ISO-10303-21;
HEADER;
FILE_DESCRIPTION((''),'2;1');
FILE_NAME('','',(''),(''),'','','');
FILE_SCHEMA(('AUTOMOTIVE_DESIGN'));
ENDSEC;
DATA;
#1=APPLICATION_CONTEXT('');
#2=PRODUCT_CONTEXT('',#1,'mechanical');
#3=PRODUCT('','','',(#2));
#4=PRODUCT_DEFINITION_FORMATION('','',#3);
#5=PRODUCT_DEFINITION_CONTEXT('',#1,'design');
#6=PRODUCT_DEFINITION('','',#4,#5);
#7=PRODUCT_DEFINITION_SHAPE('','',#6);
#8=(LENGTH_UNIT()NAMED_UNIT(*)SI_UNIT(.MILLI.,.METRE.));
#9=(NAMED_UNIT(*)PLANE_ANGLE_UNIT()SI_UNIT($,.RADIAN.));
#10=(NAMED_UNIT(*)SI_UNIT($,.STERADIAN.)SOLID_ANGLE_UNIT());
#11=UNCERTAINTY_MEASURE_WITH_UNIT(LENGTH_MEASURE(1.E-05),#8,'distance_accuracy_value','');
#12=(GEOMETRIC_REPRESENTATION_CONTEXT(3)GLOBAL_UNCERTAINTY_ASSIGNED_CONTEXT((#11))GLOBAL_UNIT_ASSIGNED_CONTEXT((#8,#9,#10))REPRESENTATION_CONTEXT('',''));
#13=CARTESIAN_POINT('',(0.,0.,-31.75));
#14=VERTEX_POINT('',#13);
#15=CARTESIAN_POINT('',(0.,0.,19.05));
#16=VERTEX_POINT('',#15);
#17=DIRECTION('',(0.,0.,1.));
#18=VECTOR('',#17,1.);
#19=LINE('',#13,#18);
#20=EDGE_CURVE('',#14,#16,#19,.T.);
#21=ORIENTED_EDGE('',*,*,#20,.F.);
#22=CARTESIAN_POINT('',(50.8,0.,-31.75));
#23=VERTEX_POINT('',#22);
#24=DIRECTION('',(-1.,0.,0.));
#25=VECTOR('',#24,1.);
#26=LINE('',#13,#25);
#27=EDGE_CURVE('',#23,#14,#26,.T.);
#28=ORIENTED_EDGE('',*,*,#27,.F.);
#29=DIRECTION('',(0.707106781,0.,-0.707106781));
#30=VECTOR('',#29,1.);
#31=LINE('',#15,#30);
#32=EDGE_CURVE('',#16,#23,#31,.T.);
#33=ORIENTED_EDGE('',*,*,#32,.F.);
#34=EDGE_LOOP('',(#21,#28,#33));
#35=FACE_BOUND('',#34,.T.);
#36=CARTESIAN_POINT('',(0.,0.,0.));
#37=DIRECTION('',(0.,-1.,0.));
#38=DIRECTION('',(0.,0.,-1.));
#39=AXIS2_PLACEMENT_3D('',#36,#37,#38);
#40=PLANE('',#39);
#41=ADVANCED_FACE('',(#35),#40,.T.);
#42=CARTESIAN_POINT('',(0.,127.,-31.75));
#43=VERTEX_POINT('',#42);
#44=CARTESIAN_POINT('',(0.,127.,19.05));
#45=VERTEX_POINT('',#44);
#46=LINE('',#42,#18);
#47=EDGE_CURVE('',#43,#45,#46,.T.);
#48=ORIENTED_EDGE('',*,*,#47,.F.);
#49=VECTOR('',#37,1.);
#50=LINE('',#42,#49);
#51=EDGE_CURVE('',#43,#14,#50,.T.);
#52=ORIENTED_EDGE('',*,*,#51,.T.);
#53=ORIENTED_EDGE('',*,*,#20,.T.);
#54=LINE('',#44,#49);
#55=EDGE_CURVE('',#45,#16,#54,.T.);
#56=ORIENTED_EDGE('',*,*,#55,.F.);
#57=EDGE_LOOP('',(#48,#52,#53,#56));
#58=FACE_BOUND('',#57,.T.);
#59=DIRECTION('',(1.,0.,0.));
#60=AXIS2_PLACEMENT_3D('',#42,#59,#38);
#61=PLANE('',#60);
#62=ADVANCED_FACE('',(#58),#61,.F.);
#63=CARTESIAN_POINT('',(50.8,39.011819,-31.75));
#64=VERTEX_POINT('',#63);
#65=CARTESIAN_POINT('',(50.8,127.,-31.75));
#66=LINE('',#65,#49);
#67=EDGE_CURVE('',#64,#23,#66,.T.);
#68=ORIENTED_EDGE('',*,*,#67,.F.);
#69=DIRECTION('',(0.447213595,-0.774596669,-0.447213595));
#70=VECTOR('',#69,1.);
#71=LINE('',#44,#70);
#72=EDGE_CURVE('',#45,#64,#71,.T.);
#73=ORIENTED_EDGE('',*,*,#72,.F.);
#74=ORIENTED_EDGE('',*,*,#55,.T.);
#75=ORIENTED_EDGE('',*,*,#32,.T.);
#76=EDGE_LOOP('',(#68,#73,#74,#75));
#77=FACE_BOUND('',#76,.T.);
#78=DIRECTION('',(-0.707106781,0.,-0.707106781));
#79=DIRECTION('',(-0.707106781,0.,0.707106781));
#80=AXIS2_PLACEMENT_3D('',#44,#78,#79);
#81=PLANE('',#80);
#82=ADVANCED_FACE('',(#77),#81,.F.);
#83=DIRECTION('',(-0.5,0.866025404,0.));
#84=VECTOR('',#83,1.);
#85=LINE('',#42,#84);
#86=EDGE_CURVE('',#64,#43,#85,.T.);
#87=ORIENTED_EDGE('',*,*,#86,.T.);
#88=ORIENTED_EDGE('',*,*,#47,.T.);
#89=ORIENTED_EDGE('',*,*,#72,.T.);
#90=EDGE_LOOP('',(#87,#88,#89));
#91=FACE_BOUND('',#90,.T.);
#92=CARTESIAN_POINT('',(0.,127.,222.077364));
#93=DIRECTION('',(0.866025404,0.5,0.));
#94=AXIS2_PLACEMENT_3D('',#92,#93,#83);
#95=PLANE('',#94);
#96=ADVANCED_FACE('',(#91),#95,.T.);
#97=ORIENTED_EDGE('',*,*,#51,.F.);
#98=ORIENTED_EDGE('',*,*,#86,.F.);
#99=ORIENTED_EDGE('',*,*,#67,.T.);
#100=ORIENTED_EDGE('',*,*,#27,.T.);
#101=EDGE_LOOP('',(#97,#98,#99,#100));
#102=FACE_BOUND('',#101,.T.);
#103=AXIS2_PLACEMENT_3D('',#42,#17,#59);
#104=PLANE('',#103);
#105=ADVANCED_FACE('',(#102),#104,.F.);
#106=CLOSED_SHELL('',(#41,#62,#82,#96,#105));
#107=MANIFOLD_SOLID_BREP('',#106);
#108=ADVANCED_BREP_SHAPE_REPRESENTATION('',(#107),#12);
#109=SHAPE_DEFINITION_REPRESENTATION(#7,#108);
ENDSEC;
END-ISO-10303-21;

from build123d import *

# Parameters (mm, degrees)
BOSS_EXTRUDE1_DEPTH     = 127
CUT_EXTRUDE1_DEPTH      = 141.419736861
CUT_EXTRUDE1_DEPTH_BACK = 141.419736861


with BuildPart() as part:
    # Sketch1 → Boss-Extrude1 (new body)
    with BuildSketch(Plane(origin=(0, 0, 0), x_dir=(1, 0, 0), z_dir=(0, 1, 0))):
        Polygon((0, 31.75), (0, -19.05), (50.8, 31.75), align=None)
    extrude(amount=BOSS_EXTRUDE1_DEPTH)

    # Sketch3 → Cut-Extrude1 (cut, two sides: drawn at the far end of the back side and taken through both)
    with BuildSketch(Plane.XY.offset(-CUT_EXTRUDE1_DEPTH_BACK)):
        Polygon((-141.783186101, 372.575681986), (0, 127), (50.8, 39.011818976), (192.583186101, -206.563863011), (683.734550074, 77.002509192), (349.368177871, 656.142054189), align=None)
    extrude(amount=CUT_EXTRUDE1_DEPTH + CUT_EXTRUDE1_DEPTH_BACK, mode=Mode.SUBTRACT)


solid = part.part
